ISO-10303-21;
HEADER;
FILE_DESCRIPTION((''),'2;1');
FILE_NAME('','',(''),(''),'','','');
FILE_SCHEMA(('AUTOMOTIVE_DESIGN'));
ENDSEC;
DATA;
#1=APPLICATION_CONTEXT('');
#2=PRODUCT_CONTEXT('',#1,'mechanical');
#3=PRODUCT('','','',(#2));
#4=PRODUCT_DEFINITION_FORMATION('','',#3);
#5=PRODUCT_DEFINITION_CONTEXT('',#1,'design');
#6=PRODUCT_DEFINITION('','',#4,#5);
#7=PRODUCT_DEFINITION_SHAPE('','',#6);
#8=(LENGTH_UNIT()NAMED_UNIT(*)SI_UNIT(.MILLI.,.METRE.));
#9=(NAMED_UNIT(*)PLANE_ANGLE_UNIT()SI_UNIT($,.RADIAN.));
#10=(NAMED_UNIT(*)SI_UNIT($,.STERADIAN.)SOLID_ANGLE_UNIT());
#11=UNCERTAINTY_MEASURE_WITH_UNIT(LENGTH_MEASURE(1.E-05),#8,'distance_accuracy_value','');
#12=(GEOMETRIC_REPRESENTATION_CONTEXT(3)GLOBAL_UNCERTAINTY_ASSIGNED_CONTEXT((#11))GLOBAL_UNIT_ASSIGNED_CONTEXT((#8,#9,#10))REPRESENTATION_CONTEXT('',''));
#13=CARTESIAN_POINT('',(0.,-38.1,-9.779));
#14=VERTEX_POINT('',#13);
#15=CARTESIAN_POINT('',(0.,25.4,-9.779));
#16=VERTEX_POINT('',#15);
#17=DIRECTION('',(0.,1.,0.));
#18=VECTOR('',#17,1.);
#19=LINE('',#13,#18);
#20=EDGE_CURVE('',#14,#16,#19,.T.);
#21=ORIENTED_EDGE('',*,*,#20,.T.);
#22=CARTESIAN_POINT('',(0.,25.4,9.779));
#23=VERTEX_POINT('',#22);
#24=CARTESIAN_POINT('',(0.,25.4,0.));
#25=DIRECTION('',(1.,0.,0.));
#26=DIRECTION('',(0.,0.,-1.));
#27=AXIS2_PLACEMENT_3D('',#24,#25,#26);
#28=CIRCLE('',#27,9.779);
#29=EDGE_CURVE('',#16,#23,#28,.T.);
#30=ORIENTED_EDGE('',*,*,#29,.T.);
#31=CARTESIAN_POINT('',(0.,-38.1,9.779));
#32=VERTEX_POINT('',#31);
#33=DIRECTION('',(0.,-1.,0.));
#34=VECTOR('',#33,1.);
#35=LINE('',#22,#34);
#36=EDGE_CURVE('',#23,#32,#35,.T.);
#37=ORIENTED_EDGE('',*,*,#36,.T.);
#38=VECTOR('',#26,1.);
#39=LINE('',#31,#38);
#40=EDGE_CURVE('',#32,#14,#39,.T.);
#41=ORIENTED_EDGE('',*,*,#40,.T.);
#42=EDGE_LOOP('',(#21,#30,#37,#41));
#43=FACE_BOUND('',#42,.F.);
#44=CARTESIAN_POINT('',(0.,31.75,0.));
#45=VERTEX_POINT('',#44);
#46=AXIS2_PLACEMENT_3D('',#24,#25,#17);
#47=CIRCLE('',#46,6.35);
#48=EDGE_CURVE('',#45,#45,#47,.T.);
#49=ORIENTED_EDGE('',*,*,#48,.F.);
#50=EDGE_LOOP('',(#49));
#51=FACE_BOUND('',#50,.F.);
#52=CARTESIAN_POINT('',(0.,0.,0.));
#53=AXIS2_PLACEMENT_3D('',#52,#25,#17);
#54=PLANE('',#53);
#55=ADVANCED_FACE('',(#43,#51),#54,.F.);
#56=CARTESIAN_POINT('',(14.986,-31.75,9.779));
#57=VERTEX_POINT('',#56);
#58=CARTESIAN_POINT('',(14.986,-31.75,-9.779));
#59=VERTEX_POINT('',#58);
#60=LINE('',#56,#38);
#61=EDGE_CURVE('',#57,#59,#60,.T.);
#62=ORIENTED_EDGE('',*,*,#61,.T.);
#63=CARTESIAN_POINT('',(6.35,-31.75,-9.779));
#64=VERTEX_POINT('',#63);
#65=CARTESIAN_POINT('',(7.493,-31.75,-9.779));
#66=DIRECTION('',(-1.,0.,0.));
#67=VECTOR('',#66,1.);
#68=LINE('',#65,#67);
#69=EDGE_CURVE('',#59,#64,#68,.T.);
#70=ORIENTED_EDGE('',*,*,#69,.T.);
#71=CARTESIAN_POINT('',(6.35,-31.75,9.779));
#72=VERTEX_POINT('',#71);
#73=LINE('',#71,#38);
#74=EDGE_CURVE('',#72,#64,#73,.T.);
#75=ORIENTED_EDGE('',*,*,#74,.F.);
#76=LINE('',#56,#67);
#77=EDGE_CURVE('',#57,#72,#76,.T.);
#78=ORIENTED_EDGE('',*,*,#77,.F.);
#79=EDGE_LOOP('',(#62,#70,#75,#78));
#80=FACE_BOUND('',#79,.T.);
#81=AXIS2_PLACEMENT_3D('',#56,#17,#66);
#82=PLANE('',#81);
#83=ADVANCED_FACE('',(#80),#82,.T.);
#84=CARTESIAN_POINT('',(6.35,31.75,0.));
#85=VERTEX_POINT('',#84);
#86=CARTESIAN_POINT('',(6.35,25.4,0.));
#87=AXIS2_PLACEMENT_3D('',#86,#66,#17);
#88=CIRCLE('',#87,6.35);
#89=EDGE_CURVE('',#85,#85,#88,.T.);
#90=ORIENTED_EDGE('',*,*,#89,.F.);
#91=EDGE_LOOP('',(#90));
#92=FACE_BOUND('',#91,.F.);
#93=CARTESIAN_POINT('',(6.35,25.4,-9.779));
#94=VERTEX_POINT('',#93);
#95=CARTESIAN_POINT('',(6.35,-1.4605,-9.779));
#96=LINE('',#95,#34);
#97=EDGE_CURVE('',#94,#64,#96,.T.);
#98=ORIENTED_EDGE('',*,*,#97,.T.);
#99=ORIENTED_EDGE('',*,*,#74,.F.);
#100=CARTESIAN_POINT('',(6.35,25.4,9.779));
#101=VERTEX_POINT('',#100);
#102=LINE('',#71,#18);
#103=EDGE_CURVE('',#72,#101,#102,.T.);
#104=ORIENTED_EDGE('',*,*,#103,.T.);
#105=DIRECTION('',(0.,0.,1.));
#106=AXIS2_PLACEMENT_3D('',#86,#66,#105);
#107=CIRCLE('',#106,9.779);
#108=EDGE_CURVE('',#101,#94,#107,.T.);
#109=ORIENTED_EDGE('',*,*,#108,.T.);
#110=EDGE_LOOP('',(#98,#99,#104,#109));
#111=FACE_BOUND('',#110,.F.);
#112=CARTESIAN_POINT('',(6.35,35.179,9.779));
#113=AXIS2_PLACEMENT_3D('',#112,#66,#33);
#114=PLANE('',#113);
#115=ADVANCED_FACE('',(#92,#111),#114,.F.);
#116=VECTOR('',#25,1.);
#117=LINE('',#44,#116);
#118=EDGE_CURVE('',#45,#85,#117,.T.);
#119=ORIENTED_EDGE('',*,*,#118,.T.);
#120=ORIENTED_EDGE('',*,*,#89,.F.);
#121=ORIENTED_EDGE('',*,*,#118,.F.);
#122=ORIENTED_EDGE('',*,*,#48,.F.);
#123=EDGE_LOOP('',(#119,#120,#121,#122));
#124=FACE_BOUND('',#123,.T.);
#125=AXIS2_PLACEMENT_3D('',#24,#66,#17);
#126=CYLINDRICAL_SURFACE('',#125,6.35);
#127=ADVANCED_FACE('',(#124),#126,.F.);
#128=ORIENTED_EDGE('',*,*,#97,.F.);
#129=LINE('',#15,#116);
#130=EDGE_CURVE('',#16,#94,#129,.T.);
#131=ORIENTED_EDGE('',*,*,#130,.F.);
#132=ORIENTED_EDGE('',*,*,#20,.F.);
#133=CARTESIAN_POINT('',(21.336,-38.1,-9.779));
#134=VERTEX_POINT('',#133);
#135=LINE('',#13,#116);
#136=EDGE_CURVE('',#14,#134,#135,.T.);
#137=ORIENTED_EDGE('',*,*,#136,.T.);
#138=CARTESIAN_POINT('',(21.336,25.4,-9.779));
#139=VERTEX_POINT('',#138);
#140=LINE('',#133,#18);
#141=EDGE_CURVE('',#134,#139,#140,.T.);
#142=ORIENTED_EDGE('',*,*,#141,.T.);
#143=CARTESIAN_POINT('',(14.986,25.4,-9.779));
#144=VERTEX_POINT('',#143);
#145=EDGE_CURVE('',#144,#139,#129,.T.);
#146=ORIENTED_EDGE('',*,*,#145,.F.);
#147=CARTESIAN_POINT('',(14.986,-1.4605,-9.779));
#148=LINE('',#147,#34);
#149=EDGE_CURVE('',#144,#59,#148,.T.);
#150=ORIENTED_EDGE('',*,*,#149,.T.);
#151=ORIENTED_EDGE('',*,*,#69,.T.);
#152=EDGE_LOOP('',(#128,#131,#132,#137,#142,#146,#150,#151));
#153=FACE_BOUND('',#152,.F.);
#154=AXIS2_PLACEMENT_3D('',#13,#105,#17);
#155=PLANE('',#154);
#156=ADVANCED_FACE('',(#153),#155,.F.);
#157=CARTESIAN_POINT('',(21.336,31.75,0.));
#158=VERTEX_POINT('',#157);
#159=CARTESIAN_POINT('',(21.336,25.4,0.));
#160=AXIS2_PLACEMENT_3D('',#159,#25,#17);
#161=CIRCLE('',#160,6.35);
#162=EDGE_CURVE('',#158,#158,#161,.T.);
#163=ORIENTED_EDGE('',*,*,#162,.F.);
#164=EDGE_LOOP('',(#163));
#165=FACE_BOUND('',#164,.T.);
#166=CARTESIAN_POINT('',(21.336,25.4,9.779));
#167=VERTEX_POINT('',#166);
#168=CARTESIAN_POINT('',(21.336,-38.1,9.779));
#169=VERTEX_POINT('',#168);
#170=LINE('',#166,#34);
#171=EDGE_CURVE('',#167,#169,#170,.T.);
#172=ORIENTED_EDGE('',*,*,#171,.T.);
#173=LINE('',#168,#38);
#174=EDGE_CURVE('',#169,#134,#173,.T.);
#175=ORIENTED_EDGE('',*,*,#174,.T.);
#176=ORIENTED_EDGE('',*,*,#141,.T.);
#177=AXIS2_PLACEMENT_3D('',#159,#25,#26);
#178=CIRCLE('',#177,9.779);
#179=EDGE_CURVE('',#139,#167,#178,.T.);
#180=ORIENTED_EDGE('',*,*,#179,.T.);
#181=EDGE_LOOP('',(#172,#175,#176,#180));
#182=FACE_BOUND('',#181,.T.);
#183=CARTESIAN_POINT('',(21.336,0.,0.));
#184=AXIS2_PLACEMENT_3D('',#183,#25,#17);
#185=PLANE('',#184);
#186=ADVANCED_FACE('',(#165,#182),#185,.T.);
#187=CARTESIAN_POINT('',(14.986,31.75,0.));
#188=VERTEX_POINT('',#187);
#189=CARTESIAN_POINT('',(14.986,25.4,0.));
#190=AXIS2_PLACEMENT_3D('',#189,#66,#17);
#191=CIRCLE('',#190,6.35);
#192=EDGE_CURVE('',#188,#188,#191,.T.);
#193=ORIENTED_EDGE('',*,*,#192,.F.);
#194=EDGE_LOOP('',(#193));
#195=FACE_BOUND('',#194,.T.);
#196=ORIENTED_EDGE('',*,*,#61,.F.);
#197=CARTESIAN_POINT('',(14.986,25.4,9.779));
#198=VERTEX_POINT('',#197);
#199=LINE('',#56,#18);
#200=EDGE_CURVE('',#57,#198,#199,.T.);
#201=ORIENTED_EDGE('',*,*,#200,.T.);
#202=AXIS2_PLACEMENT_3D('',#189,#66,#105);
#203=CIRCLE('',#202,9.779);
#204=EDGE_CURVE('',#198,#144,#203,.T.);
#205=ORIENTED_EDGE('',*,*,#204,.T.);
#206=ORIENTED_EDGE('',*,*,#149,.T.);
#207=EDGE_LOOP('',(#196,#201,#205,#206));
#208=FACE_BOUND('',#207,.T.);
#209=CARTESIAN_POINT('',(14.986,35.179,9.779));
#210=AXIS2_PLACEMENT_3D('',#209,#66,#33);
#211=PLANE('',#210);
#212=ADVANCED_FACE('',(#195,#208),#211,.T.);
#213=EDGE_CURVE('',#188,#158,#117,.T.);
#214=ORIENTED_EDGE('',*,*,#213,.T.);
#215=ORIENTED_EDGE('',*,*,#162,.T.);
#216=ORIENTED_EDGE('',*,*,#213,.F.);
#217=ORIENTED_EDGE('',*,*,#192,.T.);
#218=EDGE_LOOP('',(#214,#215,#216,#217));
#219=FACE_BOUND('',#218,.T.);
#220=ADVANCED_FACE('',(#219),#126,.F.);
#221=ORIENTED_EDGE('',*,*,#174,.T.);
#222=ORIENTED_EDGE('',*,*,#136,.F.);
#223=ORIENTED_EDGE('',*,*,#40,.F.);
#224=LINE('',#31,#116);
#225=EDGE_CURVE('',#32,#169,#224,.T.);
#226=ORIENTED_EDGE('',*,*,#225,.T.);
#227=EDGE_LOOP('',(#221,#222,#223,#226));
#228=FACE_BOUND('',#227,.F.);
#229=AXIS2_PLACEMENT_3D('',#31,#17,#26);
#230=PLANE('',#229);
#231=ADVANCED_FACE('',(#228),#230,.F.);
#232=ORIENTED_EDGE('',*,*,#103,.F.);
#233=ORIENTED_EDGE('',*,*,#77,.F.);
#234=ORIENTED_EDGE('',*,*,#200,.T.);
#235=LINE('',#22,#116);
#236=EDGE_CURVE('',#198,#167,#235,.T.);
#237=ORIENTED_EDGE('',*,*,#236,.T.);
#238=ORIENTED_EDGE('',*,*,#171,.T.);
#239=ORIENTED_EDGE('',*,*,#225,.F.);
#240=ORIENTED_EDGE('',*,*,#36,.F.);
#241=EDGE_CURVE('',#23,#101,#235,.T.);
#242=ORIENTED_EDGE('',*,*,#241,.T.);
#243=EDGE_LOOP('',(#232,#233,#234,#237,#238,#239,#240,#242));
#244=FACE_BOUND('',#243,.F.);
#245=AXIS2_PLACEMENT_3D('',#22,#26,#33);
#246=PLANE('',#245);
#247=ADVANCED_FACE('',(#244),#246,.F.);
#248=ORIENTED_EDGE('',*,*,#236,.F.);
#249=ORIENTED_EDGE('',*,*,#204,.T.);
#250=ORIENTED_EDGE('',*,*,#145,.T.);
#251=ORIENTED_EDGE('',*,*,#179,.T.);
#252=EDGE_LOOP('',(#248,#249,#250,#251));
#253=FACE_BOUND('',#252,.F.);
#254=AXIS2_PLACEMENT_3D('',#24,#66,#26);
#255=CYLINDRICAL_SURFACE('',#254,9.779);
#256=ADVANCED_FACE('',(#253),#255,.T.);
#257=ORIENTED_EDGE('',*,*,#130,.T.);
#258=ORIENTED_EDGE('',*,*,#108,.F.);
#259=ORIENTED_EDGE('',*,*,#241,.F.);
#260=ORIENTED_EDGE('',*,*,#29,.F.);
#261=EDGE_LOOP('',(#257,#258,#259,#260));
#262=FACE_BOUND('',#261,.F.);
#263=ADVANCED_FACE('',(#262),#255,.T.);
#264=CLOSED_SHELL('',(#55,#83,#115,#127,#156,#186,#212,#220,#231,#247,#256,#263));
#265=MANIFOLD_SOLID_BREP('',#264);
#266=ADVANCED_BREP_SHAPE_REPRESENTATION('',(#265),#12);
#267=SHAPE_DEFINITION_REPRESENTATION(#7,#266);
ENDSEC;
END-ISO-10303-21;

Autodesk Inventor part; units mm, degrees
ref_plane "YZ Plane" through (0, 0, 0) normal (1, 0, 0) x (0, 1, 0)
ref_plane "XZ Plane" through (0, 0, 0) normal (0, 1, 0) x (-1, 0, 0)
ref_plane "XY Plane" through (0, 0, 0) normal (0, 0, 1) x (1, 0, 0)
sketch "Sketch1" plane through (0, 0, 0) normal (1, 0, 0) x (0, 1, 0)
  circle A0 centre (25.4, 0) radius 6.35
  arc A1 (25.4, -9.779) -> (25.4, 9.779) centre (25.4, 0) ccw
  line L0 (25.4, 9.779) -> (-38.1, 9.779)
  line L1 (-38.1, 9.779) -> (-38.1, -9.779)
  line L2 (-38.1, -9.779) -> (25.4, -9.779)
  point P0 (0, 0)
  dimension "d0" = 12.7
  dimension "d1" = 19.558
  dimension "d2" = 63.5
  dimension "d3" = 19.558
extrude "Extrusion1" add sketch "Sketch1" along normal blind 21.336
sketch "Sketch2" plane through (0, -38.1, 9.779) normal (0, 0, 1) x (1, 0, 0)
  line L0 (0, 0) -> (0, 63.5) projected
  line L1 (0, 0) -> (21.336, 0) projected
  line L2 (21.336, 63.5) -> (21.336, 0) projected
  line L3 (0, 63.5) -> (21.336, 63.5) projected
  line L4 (0, 63.5) -> (0, 63.5) projected
  line L5 (0, 63.5) -> (21.336, 63.5) projected
  line L6 (21.336, 63.5) -> (21.336, 63.5) projected
  line L7 (0, 63.5) -> (21.336, 63.5) projected
  line L8 (21.336, 63.5) -> (21.336, 73.279) projected
  line L9 (0, 73.279) -> (21.336, 73.279) projected
  line L10 (6.35, 73.279) -> (6.35, 6.35)
  line L11 (14.986, 73.279) -> (14.986, 6.35)
  line L12 (14.986, 6.35) -> (6.35, 6.35)
  point P0 (0, 38.1)
  dimension "d7" = 6.35
  dimension "d8" = 6.35
  dimension "d11" = 6.35
extrude "Extrusion2" cut sketch "Sketch2" against normal blind 21.336 contours L10 L9 L11 L3 | L3 L11 L12 L10
properties part number "CollecterHolderShort"
